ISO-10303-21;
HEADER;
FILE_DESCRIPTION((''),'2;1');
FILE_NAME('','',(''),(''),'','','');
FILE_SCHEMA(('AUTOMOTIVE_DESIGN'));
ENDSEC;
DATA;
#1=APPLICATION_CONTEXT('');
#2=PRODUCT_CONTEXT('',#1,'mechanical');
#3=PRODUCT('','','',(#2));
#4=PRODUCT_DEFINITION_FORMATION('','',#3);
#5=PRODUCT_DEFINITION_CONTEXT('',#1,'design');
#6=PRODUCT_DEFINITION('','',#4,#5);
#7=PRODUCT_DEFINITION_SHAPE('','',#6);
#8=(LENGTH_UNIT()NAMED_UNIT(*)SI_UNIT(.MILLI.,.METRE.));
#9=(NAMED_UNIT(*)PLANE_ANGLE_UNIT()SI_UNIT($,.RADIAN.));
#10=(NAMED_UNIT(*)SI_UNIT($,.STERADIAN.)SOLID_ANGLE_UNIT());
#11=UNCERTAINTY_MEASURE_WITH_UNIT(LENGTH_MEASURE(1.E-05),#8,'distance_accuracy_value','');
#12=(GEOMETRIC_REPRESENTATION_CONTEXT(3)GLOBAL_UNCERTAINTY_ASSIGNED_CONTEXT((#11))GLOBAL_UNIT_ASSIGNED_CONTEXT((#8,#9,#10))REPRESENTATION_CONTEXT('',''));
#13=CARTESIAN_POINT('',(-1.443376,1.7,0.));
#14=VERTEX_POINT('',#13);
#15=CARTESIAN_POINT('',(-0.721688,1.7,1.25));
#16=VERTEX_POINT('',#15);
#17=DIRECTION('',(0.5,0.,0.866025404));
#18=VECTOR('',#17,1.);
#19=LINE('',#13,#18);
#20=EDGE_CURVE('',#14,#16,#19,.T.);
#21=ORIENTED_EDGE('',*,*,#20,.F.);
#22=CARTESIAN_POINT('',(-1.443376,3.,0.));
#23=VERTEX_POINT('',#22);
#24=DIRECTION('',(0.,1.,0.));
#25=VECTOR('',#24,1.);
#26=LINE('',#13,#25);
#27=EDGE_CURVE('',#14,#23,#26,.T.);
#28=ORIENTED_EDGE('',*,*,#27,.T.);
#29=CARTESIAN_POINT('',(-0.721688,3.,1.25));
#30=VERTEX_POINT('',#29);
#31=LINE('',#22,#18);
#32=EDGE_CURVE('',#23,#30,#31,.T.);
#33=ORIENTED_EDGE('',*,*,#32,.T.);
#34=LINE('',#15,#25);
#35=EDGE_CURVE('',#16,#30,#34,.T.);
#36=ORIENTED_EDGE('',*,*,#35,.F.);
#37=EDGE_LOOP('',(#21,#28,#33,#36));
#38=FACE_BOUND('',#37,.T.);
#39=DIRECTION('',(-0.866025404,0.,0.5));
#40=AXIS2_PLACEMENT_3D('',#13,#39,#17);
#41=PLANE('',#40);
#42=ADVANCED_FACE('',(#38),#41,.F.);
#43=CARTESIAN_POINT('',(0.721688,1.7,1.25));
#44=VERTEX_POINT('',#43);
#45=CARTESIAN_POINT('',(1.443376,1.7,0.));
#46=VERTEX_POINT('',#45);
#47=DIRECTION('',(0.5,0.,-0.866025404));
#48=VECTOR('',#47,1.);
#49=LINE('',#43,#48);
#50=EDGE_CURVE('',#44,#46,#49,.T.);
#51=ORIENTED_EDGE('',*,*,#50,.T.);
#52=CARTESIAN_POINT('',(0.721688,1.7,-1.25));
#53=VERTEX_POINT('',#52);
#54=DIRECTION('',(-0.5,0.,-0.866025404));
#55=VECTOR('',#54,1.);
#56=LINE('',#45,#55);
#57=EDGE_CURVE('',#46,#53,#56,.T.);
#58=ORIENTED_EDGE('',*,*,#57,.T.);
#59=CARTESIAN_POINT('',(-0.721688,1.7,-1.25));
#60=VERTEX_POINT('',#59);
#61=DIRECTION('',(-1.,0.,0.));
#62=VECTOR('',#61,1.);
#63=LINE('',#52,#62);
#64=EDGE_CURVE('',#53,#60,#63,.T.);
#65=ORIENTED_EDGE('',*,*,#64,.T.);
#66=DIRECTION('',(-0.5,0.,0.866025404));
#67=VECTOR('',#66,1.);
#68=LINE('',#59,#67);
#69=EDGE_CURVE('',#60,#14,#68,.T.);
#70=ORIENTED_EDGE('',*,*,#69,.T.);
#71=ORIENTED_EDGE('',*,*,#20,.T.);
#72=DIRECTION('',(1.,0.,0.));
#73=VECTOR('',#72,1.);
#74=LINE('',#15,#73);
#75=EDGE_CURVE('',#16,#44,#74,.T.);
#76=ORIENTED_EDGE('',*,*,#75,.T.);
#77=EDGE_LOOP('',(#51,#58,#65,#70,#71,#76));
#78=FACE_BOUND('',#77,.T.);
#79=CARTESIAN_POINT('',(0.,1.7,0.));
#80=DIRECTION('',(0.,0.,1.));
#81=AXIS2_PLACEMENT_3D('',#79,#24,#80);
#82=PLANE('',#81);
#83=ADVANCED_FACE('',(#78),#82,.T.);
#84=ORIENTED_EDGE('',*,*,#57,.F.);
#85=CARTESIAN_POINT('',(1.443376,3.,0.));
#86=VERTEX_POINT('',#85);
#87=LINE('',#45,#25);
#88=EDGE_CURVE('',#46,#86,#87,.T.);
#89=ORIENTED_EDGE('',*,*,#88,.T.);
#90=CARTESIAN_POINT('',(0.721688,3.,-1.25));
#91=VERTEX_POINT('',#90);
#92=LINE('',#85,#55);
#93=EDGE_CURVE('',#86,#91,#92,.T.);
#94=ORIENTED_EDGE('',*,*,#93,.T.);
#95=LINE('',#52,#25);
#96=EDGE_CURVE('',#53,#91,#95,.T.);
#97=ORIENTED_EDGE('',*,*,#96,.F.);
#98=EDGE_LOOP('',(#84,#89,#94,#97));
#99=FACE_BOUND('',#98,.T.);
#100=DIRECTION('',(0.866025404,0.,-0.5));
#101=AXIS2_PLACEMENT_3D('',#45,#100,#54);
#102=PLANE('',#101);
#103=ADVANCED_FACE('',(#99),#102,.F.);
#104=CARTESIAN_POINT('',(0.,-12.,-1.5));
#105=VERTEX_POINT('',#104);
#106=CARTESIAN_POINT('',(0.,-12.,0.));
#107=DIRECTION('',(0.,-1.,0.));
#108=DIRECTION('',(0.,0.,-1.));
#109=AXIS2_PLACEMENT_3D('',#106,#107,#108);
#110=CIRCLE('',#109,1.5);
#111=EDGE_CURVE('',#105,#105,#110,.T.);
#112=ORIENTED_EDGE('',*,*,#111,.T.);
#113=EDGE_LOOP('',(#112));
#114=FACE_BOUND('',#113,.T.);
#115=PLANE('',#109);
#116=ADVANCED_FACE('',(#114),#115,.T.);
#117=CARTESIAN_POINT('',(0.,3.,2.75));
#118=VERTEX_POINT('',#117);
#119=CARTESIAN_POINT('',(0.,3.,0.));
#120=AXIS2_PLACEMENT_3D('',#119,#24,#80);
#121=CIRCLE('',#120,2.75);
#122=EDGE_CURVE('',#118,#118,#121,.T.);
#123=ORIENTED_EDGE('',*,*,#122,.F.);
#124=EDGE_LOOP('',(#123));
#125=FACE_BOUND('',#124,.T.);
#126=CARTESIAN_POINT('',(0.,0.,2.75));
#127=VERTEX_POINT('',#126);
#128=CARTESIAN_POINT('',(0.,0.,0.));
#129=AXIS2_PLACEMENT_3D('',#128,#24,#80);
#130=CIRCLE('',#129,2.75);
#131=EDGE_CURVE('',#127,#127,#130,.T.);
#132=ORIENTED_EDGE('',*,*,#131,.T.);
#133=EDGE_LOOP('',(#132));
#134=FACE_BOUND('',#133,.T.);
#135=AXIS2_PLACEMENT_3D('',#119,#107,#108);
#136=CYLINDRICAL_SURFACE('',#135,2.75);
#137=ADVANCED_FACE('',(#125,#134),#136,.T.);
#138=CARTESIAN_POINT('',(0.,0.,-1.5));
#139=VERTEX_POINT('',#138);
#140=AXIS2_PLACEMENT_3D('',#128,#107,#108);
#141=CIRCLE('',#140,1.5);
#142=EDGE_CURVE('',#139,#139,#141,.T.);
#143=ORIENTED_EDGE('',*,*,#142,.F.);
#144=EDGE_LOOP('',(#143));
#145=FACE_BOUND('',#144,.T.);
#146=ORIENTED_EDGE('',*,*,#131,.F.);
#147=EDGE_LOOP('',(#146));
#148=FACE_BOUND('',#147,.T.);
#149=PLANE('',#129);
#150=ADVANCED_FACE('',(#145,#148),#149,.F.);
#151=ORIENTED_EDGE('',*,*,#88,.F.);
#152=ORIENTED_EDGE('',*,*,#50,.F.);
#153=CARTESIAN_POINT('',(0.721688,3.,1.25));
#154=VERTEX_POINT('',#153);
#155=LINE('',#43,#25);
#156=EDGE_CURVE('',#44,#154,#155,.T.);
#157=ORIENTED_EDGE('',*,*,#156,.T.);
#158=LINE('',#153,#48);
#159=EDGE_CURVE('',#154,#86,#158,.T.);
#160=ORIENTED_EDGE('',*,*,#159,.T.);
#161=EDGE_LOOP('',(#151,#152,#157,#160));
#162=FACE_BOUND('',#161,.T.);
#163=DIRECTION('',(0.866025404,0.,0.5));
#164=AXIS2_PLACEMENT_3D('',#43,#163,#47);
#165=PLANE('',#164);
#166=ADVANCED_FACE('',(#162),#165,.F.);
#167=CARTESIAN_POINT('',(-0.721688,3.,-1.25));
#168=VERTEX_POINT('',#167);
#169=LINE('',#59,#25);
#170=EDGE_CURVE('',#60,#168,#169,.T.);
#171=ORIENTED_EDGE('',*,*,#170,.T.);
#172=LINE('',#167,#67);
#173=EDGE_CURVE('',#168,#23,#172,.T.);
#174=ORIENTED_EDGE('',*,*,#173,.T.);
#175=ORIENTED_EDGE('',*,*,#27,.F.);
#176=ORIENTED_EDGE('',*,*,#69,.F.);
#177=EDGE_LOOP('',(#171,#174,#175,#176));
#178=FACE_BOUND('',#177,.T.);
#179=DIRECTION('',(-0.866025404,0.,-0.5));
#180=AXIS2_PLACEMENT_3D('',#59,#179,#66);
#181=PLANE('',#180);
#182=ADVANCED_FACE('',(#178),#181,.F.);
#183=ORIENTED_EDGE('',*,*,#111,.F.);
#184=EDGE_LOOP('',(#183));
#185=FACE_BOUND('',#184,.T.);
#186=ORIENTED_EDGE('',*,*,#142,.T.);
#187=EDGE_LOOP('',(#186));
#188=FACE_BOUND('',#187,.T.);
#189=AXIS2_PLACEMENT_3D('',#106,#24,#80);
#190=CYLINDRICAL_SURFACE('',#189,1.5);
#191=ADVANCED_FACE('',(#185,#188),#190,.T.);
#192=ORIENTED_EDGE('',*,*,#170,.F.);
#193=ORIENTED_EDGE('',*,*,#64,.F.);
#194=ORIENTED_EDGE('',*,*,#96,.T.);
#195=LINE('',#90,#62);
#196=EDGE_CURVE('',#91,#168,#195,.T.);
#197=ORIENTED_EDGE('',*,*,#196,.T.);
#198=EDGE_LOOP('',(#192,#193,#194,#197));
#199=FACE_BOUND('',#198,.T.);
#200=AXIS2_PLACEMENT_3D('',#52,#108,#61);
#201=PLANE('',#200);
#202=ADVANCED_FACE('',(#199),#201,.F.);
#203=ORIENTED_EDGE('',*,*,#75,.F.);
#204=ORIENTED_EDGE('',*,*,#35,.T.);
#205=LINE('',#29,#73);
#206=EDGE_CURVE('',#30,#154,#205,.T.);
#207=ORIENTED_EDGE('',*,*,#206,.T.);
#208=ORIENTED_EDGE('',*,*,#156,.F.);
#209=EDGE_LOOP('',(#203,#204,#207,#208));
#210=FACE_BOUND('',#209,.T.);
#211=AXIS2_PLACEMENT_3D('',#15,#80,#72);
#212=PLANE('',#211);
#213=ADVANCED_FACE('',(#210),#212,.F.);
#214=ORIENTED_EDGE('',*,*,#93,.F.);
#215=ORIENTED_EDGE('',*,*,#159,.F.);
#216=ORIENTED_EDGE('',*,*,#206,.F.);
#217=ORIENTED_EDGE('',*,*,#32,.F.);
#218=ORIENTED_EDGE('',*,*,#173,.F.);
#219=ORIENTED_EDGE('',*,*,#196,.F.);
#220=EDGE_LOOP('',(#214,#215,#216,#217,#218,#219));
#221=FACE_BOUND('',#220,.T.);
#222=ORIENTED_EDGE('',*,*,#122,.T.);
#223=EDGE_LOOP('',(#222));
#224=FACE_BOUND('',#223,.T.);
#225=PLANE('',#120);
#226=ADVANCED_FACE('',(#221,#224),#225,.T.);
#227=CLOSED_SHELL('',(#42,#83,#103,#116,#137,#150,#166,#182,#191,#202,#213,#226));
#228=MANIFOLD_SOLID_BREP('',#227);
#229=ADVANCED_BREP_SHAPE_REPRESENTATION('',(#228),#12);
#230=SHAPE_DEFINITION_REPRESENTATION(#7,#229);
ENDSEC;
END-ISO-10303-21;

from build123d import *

# Parameters (mm, degrees)
SKETCH_1_R            = 2.75
EXTRUDE_248_DEPTH     = 3
CUT_EXTRUDE_378_DEPTH = 1.3
SKETCH_3_R            = 1.5
EXTRUDE_479_DEPTH     = 12


with BuildPart() as part:
    # 草图1 → Extrude 248 (new body)
    with BuildSketch(Plane(origin=(0, 0, 0), x_dir=(1, 0, 0), z_dir=(0, 1, 0))):
        Circle(SKETCH_1_R)
    extrude(amount=EXTRUDE_248_DEPTH)

    # 草图2 → Cut-Extrude 378 (cut)
    with BuildSketch(Plane(origin=(0, 3, 0), x_dir=(1, 0, 0), z_dir=(0, 1, 0))):
        Polygon((1.443375673, 0), (0.721687836, 1.25), (-0.721687836, 1.25), (-1.443375673, 0), (-0.721687836, -1.25), (0.721687836, -1.25), align=None)
    extrude(amount=-CUT_EXTRUDE_378_DEPTH, mode=Mode.SUBTRACT)

    # 草图3 → Extrude 479 (add)
    with BuildSketch(Plane.XZ):
        Circle(SKETCH_3_R)
    extrude(amount=EXTRUDE_479_DEPTH)


solid = part.part
